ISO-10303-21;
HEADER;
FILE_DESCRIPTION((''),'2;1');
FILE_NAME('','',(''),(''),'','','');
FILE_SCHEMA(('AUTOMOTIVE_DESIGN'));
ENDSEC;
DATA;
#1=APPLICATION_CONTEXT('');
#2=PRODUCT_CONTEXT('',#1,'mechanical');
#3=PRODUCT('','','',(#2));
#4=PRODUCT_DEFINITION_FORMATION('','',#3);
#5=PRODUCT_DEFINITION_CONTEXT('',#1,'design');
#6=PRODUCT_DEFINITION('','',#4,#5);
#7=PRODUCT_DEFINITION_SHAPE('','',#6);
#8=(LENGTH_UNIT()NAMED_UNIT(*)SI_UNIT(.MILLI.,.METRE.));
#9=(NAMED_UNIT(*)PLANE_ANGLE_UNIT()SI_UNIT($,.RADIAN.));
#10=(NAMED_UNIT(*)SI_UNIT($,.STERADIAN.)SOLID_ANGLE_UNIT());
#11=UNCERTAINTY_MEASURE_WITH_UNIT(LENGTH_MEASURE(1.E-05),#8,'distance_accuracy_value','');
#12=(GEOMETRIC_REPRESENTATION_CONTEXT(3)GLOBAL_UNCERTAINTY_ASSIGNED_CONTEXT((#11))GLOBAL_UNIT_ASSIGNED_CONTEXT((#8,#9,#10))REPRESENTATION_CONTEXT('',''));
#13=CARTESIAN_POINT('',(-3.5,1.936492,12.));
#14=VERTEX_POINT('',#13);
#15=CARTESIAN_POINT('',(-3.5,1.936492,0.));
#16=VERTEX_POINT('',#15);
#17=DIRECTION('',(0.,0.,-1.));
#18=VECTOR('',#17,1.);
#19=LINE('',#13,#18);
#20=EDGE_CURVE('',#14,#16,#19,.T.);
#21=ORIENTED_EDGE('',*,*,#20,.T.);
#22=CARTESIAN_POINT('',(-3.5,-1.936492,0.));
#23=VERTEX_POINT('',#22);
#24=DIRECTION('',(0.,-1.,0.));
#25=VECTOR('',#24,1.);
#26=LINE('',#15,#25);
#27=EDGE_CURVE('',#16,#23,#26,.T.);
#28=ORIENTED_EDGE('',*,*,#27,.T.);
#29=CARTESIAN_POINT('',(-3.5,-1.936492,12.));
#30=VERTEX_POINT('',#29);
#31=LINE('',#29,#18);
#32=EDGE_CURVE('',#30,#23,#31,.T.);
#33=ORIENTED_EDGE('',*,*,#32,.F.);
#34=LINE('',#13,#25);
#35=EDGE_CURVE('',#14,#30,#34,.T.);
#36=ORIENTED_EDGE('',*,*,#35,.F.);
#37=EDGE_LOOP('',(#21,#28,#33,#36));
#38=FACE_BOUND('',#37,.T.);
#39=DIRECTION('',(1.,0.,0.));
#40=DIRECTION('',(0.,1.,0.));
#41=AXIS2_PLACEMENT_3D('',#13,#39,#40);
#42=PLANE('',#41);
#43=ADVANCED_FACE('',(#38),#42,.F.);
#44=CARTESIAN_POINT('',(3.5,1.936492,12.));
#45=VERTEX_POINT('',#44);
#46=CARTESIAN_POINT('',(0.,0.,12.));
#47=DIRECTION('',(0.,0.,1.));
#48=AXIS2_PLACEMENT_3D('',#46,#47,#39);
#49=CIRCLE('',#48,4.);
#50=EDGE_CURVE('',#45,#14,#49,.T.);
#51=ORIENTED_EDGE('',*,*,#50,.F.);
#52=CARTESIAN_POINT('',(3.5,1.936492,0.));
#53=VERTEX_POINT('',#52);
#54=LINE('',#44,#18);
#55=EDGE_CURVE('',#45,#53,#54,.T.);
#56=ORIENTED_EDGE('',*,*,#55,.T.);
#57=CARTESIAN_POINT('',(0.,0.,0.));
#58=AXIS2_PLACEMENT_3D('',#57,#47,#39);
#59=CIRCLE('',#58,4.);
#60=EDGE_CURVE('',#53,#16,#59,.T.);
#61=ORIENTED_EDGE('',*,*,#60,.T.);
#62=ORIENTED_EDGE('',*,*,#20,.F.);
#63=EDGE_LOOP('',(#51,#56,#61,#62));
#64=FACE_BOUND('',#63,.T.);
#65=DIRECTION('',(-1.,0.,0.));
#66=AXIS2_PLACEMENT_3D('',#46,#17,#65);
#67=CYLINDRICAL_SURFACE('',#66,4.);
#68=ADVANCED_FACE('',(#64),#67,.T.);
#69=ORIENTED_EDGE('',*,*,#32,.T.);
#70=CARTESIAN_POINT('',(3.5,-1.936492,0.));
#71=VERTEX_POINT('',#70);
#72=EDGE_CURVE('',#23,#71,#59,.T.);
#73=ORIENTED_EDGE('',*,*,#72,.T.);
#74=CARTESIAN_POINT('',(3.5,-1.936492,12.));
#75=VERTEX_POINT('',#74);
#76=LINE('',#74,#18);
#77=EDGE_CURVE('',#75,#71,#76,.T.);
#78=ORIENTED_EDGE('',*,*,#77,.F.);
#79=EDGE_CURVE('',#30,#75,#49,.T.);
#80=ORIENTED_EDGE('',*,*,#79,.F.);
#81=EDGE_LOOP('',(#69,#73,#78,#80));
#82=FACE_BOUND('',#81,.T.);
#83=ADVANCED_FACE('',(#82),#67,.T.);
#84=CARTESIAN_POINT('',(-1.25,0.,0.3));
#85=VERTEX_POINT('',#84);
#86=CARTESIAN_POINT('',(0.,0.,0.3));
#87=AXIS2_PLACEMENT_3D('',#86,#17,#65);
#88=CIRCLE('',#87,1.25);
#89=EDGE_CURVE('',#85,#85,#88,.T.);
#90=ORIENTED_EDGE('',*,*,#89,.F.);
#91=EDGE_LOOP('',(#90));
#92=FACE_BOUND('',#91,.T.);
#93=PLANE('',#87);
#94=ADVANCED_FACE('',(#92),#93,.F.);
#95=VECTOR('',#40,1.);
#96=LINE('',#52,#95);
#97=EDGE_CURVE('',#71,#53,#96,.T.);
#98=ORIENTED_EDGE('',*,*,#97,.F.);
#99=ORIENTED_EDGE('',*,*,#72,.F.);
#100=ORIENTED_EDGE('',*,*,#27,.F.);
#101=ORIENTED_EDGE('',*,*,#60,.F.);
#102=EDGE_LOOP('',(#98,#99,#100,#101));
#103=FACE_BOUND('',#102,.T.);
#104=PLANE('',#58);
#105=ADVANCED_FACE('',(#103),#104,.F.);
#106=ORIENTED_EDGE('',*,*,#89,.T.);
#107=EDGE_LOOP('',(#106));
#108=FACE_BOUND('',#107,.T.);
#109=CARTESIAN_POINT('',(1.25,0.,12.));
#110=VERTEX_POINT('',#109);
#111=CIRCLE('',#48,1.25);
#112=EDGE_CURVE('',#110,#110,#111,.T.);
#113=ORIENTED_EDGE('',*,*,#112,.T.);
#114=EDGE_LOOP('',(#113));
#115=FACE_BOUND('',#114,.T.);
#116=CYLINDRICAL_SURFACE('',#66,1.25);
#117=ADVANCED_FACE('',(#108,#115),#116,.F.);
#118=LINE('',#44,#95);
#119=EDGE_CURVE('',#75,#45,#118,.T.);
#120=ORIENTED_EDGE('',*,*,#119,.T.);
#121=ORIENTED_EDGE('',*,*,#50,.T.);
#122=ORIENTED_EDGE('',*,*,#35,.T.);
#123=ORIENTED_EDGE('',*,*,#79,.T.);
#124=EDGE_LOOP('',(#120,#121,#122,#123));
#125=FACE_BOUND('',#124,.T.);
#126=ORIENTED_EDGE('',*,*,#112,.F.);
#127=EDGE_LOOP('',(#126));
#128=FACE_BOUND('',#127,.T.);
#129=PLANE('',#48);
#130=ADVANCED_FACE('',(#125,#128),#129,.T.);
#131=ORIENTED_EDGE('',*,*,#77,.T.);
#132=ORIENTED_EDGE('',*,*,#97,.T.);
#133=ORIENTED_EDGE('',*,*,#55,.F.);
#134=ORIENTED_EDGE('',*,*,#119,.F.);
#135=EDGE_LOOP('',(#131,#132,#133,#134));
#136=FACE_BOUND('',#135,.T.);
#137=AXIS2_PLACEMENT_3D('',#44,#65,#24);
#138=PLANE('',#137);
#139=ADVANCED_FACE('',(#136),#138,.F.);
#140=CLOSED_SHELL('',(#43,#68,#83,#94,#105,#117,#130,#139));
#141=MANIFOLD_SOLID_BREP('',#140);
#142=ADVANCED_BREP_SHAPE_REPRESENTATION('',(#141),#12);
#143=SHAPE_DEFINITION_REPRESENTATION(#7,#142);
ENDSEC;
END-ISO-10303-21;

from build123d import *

# Parameters (mm, degrees)
SKETCH1_R           = 1.25
BOSS_EXTRUDE1_DEPTH = 12
SKETCH3_R           = 1.25
BOSS_EXTRUDE2_DEPTH = 0.3


with BuildPart() as part:
    # Sketch1 → Boss-Extrude1 (new body)
    with BuildSketch(Plane.XY):
        with BuildLine():
            Line((3.5, 1.936491673), (3.5, -1.936491673))
            ThreePointArc((3.5, -1.936491673), (0, -4), (-3.5, -1.936491673))
            Line((-3.5, -1.936491673), (-3.5, 1.936491673))
            ThreePointArc((-3.5, 1.936491673), (0, 4), (3.5, 1.936491673))
        make_face()
        Circle(SKETCH1_R, mode=Mode.SUBTRACT)
    extrude(amount=BOSS_EXTRUDE1_DEPTH)

    # Sketch3 → Boss-Extrude2 (add)
    with BuildSketch(Plane(origin=(0, 0, 0), x_dir=(-1, 0, 0), z_dir=(0, 0, -1))):
        Circle(SKETCH3_R)
    extrude(amount=-BOSS_EXTRUDE2_DEPTH)


solid = part.part
